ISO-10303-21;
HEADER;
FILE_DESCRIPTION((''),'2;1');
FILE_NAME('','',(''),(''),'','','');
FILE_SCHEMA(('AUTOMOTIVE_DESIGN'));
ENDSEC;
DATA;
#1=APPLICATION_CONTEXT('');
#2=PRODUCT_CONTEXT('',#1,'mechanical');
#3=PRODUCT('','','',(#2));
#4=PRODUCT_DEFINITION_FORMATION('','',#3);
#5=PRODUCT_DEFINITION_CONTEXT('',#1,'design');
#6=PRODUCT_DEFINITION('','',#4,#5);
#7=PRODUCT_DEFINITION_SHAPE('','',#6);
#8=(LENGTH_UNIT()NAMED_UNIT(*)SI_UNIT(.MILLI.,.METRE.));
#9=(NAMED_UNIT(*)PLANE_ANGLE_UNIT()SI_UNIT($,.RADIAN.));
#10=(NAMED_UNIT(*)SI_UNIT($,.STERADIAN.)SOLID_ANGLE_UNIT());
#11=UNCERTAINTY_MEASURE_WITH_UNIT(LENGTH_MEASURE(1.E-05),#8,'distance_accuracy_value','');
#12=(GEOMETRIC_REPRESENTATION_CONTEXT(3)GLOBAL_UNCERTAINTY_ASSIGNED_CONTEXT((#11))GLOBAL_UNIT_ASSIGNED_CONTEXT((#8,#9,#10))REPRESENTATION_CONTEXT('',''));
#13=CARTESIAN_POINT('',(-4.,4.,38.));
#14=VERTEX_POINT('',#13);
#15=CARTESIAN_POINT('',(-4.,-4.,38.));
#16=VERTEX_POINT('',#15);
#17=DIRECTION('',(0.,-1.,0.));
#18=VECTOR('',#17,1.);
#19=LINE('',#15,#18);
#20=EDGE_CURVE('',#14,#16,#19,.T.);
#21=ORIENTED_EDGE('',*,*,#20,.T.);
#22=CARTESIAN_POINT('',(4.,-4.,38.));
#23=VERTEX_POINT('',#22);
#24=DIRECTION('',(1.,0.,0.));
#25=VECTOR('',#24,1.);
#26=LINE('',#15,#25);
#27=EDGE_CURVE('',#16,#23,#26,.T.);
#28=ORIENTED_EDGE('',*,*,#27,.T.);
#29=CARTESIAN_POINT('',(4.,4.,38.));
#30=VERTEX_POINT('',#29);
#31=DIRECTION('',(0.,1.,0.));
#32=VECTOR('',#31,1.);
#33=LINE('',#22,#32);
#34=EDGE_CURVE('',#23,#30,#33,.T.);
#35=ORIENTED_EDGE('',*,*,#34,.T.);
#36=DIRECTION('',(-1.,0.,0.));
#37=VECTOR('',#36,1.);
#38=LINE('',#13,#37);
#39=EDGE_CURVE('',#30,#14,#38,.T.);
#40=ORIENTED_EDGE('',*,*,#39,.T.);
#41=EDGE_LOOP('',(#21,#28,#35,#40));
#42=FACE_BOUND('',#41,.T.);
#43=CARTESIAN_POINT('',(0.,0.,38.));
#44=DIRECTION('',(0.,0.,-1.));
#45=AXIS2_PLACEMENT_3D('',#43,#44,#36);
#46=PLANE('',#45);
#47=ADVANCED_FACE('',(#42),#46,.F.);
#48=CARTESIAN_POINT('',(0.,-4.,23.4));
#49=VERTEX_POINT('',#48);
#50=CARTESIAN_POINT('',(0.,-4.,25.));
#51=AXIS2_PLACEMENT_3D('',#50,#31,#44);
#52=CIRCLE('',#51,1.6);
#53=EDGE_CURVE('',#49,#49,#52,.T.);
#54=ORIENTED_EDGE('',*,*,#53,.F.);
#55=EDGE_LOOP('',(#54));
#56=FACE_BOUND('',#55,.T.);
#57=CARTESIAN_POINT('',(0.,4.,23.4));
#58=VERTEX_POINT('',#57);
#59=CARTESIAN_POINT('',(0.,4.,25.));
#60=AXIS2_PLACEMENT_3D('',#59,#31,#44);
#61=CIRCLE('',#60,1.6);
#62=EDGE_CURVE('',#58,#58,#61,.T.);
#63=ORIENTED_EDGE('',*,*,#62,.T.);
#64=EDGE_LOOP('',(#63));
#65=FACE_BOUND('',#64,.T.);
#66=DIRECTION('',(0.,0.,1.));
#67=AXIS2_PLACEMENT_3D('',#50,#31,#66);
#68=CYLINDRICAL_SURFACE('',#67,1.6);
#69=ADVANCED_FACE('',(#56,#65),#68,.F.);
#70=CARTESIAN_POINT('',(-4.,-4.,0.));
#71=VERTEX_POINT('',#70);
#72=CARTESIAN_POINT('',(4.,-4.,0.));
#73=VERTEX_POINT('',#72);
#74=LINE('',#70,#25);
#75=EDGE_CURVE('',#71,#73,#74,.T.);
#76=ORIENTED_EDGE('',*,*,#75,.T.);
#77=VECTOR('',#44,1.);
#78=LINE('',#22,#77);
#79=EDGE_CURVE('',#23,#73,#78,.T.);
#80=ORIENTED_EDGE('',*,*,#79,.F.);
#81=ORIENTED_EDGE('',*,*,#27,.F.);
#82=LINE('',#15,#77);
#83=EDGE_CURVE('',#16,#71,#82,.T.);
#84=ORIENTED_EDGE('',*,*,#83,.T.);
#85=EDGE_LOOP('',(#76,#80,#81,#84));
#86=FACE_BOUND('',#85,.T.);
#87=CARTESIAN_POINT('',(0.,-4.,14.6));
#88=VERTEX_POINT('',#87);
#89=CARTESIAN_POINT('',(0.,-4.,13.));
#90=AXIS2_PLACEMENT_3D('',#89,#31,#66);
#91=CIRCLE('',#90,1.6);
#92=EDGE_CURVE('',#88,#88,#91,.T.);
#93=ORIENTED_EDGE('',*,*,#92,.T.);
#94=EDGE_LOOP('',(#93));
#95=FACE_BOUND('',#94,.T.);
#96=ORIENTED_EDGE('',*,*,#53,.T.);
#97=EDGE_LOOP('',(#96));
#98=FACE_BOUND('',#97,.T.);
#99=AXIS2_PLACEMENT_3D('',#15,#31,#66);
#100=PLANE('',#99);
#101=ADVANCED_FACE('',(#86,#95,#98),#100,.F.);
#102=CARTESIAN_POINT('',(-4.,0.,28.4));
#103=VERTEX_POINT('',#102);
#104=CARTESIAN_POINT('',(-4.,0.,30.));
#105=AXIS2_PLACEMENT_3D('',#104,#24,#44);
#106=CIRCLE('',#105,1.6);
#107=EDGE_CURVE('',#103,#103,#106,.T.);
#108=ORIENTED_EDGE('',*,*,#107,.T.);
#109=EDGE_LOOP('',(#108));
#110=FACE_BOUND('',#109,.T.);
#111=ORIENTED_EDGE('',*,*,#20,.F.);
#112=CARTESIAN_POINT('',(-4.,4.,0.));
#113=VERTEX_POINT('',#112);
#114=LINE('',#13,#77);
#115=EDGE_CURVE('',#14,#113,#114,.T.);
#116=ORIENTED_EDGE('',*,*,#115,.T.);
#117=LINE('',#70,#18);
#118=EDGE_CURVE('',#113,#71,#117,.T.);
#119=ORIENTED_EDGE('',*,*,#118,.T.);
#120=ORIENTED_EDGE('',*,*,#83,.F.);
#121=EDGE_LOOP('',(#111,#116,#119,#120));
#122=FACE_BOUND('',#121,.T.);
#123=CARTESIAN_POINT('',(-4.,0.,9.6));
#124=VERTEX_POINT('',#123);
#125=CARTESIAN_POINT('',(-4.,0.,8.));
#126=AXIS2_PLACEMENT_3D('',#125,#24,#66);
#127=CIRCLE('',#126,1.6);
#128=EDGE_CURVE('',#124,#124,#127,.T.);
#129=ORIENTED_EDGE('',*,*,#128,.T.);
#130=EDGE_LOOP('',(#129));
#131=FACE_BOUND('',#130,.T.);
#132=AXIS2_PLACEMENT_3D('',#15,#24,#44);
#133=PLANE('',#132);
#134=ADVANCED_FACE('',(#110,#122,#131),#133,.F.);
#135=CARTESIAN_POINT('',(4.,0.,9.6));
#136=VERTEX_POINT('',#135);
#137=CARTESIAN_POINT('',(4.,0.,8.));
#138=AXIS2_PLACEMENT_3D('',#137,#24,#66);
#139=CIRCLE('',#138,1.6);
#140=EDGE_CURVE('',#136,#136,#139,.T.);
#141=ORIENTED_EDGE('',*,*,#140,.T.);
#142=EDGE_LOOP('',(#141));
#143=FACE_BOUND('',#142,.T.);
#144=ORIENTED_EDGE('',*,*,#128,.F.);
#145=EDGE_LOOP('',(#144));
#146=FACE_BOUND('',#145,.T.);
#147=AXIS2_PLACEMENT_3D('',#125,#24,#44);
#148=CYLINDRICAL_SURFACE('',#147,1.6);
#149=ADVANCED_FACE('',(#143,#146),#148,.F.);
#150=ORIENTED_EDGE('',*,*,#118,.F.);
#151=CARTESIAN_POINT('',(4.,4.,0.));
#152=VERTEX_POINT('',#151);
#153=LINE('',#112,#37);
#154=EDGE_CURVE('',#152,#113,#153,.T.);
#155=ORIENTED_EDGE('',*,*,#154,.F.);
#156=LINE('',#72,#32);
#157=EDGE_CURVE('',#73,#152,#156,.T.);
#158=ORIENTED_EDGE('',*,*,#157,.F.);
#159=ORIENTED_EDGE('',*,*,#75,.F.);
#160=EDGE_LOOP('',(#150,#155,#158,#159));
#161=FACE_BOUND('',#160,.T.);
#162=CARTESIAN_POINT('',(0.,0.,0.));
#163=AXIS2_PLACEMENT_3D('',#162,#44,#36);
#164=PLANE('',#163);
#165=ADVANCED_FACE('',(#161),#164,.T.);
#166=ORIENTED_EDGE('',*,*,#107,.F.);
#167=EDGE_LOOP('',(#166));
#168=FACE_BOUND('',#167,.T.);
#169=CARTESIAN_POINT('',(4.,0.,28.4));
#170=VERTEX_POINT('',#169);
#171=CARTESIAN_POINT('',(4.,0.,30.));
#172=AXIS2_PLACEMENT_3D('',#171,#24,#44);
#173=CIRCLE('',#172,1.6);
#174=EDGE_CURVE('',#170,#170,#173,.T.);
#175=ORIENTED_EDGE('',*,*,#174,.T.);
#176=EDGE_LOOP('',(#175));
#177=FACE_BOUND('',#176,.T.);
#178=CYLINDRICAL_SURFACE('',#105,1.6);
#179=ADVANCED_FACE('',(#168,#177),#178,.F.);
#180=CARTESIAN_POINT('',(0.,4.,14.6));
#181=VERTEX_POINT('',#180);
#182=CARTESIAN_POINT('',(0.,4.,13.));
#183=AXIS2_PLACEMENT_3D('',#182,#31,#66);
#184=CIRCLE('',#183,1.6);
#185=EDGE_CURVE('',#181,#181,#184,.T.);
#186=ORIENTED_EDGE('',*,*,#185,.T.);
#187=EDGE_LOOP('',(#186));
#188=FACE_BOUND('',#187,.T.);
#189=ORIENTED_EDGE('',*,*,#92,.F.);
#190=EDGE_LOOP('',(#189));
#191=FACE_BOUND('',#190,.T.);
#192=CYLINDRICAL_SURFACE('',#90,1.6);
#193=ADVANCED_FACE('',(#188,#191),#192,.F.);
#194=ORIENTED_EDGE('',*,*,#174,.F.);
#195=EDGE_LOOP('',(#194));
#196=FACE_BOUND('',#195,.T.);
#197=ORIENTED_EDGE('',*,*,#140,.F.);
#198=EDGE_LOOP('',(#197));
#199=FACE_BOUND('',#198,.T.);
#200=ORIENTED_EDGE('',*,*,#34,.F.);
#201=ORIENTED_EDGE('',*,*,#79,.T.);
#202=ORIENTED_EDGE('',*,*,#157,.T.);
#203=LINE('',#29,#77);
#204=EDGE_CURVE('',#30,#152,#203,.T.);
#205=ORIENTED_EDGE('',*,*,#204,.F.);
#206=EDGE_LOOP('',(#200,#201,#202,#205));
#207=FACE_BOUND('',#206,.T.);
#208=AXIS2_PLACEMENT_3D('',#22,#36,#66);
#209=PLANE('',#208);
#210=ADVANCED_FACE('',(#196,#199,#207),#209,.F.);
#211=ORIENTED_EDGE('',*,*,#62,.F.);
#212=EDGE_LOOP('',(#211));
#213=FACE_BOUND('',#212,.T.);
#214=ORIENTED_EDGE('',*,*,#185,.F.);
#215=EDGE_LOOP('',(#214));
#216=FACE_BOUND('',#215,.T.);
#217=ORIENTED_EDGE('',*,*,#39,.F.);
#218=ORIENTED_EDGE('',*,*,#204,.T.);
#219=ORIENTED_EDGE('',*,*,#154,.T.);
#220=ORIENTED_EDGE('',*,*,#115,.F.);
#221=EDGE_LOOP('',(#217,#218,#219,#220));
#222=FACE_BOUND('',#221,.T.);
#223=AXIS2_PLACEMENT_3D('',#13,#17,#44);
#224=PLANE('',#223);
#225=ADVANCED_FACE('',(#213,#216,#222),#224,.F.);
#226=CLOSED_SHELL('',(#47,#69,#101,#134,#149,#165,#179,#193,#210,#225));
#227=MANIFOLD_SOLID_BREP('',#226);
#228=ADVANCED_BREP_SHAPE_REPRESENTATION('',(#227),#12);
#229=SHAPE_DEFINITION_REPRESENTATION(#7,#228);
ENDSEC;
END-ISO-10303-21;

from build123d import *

# Parameters (mm, degrees)
SKETCH_1_W          = 8
SKETCH_1_H          = 8
EXTRUDE_1_DEPTH     = 38
SKETCH_3_R          = 1.6
CUT_EXTRUDE_1_DEPTH = 40.038442592
SKETCH_2_R          = 1.6
CUT_EXTRUDE_2_DEPTH = 40.038442592


with BuildPart() as part:
    # 草图1 → 凸台-拉伸1 (new body)
    with BuildSketch(Plane.XY):
        Rectangle(SKETCH_1_W, SKETCH_1_H)
    extrude(amount=EXTRUDE_1_DEPTH)

    # 草图3 → 切除-拉伸1 (cut, through all)
    with BuildSketch(Plane(origin=(0, 4, 0), x_dir=(1, 0, 0), z_dir=(0, 1, 0))):
        with Locations(Location((0, -13, 0), (0, 0, 270))):
            Circle(SKETCH_3_R)
        with Locations(Location((0, -25, 0), (0, 0, 90))):
            Circle(SKETCH_3_R)
    extrude(amount=-CUT_EXTRUDE_1_DEPTH, mode=Mode.SUBTRACT)

    # 草图2 → 切除-拉伸2 (cut, through all)
    with BuildSketch(Plane(origin=(4, 0, 0), x_dir=(0, 0, -1), z_dir=(1, 0, 0))):
        with Locations((-30, 0)):
            Circle(SKETCH_2_R)
        with Locations(Location((-8, 0, 0), (0, 0, 180))):
            Circle(SKETCH_2_R)
    extrude(amount=-CUT_EXTRUDE_2_DEPTH, mode=Mode.SUBTRACT)


solid = part.part
